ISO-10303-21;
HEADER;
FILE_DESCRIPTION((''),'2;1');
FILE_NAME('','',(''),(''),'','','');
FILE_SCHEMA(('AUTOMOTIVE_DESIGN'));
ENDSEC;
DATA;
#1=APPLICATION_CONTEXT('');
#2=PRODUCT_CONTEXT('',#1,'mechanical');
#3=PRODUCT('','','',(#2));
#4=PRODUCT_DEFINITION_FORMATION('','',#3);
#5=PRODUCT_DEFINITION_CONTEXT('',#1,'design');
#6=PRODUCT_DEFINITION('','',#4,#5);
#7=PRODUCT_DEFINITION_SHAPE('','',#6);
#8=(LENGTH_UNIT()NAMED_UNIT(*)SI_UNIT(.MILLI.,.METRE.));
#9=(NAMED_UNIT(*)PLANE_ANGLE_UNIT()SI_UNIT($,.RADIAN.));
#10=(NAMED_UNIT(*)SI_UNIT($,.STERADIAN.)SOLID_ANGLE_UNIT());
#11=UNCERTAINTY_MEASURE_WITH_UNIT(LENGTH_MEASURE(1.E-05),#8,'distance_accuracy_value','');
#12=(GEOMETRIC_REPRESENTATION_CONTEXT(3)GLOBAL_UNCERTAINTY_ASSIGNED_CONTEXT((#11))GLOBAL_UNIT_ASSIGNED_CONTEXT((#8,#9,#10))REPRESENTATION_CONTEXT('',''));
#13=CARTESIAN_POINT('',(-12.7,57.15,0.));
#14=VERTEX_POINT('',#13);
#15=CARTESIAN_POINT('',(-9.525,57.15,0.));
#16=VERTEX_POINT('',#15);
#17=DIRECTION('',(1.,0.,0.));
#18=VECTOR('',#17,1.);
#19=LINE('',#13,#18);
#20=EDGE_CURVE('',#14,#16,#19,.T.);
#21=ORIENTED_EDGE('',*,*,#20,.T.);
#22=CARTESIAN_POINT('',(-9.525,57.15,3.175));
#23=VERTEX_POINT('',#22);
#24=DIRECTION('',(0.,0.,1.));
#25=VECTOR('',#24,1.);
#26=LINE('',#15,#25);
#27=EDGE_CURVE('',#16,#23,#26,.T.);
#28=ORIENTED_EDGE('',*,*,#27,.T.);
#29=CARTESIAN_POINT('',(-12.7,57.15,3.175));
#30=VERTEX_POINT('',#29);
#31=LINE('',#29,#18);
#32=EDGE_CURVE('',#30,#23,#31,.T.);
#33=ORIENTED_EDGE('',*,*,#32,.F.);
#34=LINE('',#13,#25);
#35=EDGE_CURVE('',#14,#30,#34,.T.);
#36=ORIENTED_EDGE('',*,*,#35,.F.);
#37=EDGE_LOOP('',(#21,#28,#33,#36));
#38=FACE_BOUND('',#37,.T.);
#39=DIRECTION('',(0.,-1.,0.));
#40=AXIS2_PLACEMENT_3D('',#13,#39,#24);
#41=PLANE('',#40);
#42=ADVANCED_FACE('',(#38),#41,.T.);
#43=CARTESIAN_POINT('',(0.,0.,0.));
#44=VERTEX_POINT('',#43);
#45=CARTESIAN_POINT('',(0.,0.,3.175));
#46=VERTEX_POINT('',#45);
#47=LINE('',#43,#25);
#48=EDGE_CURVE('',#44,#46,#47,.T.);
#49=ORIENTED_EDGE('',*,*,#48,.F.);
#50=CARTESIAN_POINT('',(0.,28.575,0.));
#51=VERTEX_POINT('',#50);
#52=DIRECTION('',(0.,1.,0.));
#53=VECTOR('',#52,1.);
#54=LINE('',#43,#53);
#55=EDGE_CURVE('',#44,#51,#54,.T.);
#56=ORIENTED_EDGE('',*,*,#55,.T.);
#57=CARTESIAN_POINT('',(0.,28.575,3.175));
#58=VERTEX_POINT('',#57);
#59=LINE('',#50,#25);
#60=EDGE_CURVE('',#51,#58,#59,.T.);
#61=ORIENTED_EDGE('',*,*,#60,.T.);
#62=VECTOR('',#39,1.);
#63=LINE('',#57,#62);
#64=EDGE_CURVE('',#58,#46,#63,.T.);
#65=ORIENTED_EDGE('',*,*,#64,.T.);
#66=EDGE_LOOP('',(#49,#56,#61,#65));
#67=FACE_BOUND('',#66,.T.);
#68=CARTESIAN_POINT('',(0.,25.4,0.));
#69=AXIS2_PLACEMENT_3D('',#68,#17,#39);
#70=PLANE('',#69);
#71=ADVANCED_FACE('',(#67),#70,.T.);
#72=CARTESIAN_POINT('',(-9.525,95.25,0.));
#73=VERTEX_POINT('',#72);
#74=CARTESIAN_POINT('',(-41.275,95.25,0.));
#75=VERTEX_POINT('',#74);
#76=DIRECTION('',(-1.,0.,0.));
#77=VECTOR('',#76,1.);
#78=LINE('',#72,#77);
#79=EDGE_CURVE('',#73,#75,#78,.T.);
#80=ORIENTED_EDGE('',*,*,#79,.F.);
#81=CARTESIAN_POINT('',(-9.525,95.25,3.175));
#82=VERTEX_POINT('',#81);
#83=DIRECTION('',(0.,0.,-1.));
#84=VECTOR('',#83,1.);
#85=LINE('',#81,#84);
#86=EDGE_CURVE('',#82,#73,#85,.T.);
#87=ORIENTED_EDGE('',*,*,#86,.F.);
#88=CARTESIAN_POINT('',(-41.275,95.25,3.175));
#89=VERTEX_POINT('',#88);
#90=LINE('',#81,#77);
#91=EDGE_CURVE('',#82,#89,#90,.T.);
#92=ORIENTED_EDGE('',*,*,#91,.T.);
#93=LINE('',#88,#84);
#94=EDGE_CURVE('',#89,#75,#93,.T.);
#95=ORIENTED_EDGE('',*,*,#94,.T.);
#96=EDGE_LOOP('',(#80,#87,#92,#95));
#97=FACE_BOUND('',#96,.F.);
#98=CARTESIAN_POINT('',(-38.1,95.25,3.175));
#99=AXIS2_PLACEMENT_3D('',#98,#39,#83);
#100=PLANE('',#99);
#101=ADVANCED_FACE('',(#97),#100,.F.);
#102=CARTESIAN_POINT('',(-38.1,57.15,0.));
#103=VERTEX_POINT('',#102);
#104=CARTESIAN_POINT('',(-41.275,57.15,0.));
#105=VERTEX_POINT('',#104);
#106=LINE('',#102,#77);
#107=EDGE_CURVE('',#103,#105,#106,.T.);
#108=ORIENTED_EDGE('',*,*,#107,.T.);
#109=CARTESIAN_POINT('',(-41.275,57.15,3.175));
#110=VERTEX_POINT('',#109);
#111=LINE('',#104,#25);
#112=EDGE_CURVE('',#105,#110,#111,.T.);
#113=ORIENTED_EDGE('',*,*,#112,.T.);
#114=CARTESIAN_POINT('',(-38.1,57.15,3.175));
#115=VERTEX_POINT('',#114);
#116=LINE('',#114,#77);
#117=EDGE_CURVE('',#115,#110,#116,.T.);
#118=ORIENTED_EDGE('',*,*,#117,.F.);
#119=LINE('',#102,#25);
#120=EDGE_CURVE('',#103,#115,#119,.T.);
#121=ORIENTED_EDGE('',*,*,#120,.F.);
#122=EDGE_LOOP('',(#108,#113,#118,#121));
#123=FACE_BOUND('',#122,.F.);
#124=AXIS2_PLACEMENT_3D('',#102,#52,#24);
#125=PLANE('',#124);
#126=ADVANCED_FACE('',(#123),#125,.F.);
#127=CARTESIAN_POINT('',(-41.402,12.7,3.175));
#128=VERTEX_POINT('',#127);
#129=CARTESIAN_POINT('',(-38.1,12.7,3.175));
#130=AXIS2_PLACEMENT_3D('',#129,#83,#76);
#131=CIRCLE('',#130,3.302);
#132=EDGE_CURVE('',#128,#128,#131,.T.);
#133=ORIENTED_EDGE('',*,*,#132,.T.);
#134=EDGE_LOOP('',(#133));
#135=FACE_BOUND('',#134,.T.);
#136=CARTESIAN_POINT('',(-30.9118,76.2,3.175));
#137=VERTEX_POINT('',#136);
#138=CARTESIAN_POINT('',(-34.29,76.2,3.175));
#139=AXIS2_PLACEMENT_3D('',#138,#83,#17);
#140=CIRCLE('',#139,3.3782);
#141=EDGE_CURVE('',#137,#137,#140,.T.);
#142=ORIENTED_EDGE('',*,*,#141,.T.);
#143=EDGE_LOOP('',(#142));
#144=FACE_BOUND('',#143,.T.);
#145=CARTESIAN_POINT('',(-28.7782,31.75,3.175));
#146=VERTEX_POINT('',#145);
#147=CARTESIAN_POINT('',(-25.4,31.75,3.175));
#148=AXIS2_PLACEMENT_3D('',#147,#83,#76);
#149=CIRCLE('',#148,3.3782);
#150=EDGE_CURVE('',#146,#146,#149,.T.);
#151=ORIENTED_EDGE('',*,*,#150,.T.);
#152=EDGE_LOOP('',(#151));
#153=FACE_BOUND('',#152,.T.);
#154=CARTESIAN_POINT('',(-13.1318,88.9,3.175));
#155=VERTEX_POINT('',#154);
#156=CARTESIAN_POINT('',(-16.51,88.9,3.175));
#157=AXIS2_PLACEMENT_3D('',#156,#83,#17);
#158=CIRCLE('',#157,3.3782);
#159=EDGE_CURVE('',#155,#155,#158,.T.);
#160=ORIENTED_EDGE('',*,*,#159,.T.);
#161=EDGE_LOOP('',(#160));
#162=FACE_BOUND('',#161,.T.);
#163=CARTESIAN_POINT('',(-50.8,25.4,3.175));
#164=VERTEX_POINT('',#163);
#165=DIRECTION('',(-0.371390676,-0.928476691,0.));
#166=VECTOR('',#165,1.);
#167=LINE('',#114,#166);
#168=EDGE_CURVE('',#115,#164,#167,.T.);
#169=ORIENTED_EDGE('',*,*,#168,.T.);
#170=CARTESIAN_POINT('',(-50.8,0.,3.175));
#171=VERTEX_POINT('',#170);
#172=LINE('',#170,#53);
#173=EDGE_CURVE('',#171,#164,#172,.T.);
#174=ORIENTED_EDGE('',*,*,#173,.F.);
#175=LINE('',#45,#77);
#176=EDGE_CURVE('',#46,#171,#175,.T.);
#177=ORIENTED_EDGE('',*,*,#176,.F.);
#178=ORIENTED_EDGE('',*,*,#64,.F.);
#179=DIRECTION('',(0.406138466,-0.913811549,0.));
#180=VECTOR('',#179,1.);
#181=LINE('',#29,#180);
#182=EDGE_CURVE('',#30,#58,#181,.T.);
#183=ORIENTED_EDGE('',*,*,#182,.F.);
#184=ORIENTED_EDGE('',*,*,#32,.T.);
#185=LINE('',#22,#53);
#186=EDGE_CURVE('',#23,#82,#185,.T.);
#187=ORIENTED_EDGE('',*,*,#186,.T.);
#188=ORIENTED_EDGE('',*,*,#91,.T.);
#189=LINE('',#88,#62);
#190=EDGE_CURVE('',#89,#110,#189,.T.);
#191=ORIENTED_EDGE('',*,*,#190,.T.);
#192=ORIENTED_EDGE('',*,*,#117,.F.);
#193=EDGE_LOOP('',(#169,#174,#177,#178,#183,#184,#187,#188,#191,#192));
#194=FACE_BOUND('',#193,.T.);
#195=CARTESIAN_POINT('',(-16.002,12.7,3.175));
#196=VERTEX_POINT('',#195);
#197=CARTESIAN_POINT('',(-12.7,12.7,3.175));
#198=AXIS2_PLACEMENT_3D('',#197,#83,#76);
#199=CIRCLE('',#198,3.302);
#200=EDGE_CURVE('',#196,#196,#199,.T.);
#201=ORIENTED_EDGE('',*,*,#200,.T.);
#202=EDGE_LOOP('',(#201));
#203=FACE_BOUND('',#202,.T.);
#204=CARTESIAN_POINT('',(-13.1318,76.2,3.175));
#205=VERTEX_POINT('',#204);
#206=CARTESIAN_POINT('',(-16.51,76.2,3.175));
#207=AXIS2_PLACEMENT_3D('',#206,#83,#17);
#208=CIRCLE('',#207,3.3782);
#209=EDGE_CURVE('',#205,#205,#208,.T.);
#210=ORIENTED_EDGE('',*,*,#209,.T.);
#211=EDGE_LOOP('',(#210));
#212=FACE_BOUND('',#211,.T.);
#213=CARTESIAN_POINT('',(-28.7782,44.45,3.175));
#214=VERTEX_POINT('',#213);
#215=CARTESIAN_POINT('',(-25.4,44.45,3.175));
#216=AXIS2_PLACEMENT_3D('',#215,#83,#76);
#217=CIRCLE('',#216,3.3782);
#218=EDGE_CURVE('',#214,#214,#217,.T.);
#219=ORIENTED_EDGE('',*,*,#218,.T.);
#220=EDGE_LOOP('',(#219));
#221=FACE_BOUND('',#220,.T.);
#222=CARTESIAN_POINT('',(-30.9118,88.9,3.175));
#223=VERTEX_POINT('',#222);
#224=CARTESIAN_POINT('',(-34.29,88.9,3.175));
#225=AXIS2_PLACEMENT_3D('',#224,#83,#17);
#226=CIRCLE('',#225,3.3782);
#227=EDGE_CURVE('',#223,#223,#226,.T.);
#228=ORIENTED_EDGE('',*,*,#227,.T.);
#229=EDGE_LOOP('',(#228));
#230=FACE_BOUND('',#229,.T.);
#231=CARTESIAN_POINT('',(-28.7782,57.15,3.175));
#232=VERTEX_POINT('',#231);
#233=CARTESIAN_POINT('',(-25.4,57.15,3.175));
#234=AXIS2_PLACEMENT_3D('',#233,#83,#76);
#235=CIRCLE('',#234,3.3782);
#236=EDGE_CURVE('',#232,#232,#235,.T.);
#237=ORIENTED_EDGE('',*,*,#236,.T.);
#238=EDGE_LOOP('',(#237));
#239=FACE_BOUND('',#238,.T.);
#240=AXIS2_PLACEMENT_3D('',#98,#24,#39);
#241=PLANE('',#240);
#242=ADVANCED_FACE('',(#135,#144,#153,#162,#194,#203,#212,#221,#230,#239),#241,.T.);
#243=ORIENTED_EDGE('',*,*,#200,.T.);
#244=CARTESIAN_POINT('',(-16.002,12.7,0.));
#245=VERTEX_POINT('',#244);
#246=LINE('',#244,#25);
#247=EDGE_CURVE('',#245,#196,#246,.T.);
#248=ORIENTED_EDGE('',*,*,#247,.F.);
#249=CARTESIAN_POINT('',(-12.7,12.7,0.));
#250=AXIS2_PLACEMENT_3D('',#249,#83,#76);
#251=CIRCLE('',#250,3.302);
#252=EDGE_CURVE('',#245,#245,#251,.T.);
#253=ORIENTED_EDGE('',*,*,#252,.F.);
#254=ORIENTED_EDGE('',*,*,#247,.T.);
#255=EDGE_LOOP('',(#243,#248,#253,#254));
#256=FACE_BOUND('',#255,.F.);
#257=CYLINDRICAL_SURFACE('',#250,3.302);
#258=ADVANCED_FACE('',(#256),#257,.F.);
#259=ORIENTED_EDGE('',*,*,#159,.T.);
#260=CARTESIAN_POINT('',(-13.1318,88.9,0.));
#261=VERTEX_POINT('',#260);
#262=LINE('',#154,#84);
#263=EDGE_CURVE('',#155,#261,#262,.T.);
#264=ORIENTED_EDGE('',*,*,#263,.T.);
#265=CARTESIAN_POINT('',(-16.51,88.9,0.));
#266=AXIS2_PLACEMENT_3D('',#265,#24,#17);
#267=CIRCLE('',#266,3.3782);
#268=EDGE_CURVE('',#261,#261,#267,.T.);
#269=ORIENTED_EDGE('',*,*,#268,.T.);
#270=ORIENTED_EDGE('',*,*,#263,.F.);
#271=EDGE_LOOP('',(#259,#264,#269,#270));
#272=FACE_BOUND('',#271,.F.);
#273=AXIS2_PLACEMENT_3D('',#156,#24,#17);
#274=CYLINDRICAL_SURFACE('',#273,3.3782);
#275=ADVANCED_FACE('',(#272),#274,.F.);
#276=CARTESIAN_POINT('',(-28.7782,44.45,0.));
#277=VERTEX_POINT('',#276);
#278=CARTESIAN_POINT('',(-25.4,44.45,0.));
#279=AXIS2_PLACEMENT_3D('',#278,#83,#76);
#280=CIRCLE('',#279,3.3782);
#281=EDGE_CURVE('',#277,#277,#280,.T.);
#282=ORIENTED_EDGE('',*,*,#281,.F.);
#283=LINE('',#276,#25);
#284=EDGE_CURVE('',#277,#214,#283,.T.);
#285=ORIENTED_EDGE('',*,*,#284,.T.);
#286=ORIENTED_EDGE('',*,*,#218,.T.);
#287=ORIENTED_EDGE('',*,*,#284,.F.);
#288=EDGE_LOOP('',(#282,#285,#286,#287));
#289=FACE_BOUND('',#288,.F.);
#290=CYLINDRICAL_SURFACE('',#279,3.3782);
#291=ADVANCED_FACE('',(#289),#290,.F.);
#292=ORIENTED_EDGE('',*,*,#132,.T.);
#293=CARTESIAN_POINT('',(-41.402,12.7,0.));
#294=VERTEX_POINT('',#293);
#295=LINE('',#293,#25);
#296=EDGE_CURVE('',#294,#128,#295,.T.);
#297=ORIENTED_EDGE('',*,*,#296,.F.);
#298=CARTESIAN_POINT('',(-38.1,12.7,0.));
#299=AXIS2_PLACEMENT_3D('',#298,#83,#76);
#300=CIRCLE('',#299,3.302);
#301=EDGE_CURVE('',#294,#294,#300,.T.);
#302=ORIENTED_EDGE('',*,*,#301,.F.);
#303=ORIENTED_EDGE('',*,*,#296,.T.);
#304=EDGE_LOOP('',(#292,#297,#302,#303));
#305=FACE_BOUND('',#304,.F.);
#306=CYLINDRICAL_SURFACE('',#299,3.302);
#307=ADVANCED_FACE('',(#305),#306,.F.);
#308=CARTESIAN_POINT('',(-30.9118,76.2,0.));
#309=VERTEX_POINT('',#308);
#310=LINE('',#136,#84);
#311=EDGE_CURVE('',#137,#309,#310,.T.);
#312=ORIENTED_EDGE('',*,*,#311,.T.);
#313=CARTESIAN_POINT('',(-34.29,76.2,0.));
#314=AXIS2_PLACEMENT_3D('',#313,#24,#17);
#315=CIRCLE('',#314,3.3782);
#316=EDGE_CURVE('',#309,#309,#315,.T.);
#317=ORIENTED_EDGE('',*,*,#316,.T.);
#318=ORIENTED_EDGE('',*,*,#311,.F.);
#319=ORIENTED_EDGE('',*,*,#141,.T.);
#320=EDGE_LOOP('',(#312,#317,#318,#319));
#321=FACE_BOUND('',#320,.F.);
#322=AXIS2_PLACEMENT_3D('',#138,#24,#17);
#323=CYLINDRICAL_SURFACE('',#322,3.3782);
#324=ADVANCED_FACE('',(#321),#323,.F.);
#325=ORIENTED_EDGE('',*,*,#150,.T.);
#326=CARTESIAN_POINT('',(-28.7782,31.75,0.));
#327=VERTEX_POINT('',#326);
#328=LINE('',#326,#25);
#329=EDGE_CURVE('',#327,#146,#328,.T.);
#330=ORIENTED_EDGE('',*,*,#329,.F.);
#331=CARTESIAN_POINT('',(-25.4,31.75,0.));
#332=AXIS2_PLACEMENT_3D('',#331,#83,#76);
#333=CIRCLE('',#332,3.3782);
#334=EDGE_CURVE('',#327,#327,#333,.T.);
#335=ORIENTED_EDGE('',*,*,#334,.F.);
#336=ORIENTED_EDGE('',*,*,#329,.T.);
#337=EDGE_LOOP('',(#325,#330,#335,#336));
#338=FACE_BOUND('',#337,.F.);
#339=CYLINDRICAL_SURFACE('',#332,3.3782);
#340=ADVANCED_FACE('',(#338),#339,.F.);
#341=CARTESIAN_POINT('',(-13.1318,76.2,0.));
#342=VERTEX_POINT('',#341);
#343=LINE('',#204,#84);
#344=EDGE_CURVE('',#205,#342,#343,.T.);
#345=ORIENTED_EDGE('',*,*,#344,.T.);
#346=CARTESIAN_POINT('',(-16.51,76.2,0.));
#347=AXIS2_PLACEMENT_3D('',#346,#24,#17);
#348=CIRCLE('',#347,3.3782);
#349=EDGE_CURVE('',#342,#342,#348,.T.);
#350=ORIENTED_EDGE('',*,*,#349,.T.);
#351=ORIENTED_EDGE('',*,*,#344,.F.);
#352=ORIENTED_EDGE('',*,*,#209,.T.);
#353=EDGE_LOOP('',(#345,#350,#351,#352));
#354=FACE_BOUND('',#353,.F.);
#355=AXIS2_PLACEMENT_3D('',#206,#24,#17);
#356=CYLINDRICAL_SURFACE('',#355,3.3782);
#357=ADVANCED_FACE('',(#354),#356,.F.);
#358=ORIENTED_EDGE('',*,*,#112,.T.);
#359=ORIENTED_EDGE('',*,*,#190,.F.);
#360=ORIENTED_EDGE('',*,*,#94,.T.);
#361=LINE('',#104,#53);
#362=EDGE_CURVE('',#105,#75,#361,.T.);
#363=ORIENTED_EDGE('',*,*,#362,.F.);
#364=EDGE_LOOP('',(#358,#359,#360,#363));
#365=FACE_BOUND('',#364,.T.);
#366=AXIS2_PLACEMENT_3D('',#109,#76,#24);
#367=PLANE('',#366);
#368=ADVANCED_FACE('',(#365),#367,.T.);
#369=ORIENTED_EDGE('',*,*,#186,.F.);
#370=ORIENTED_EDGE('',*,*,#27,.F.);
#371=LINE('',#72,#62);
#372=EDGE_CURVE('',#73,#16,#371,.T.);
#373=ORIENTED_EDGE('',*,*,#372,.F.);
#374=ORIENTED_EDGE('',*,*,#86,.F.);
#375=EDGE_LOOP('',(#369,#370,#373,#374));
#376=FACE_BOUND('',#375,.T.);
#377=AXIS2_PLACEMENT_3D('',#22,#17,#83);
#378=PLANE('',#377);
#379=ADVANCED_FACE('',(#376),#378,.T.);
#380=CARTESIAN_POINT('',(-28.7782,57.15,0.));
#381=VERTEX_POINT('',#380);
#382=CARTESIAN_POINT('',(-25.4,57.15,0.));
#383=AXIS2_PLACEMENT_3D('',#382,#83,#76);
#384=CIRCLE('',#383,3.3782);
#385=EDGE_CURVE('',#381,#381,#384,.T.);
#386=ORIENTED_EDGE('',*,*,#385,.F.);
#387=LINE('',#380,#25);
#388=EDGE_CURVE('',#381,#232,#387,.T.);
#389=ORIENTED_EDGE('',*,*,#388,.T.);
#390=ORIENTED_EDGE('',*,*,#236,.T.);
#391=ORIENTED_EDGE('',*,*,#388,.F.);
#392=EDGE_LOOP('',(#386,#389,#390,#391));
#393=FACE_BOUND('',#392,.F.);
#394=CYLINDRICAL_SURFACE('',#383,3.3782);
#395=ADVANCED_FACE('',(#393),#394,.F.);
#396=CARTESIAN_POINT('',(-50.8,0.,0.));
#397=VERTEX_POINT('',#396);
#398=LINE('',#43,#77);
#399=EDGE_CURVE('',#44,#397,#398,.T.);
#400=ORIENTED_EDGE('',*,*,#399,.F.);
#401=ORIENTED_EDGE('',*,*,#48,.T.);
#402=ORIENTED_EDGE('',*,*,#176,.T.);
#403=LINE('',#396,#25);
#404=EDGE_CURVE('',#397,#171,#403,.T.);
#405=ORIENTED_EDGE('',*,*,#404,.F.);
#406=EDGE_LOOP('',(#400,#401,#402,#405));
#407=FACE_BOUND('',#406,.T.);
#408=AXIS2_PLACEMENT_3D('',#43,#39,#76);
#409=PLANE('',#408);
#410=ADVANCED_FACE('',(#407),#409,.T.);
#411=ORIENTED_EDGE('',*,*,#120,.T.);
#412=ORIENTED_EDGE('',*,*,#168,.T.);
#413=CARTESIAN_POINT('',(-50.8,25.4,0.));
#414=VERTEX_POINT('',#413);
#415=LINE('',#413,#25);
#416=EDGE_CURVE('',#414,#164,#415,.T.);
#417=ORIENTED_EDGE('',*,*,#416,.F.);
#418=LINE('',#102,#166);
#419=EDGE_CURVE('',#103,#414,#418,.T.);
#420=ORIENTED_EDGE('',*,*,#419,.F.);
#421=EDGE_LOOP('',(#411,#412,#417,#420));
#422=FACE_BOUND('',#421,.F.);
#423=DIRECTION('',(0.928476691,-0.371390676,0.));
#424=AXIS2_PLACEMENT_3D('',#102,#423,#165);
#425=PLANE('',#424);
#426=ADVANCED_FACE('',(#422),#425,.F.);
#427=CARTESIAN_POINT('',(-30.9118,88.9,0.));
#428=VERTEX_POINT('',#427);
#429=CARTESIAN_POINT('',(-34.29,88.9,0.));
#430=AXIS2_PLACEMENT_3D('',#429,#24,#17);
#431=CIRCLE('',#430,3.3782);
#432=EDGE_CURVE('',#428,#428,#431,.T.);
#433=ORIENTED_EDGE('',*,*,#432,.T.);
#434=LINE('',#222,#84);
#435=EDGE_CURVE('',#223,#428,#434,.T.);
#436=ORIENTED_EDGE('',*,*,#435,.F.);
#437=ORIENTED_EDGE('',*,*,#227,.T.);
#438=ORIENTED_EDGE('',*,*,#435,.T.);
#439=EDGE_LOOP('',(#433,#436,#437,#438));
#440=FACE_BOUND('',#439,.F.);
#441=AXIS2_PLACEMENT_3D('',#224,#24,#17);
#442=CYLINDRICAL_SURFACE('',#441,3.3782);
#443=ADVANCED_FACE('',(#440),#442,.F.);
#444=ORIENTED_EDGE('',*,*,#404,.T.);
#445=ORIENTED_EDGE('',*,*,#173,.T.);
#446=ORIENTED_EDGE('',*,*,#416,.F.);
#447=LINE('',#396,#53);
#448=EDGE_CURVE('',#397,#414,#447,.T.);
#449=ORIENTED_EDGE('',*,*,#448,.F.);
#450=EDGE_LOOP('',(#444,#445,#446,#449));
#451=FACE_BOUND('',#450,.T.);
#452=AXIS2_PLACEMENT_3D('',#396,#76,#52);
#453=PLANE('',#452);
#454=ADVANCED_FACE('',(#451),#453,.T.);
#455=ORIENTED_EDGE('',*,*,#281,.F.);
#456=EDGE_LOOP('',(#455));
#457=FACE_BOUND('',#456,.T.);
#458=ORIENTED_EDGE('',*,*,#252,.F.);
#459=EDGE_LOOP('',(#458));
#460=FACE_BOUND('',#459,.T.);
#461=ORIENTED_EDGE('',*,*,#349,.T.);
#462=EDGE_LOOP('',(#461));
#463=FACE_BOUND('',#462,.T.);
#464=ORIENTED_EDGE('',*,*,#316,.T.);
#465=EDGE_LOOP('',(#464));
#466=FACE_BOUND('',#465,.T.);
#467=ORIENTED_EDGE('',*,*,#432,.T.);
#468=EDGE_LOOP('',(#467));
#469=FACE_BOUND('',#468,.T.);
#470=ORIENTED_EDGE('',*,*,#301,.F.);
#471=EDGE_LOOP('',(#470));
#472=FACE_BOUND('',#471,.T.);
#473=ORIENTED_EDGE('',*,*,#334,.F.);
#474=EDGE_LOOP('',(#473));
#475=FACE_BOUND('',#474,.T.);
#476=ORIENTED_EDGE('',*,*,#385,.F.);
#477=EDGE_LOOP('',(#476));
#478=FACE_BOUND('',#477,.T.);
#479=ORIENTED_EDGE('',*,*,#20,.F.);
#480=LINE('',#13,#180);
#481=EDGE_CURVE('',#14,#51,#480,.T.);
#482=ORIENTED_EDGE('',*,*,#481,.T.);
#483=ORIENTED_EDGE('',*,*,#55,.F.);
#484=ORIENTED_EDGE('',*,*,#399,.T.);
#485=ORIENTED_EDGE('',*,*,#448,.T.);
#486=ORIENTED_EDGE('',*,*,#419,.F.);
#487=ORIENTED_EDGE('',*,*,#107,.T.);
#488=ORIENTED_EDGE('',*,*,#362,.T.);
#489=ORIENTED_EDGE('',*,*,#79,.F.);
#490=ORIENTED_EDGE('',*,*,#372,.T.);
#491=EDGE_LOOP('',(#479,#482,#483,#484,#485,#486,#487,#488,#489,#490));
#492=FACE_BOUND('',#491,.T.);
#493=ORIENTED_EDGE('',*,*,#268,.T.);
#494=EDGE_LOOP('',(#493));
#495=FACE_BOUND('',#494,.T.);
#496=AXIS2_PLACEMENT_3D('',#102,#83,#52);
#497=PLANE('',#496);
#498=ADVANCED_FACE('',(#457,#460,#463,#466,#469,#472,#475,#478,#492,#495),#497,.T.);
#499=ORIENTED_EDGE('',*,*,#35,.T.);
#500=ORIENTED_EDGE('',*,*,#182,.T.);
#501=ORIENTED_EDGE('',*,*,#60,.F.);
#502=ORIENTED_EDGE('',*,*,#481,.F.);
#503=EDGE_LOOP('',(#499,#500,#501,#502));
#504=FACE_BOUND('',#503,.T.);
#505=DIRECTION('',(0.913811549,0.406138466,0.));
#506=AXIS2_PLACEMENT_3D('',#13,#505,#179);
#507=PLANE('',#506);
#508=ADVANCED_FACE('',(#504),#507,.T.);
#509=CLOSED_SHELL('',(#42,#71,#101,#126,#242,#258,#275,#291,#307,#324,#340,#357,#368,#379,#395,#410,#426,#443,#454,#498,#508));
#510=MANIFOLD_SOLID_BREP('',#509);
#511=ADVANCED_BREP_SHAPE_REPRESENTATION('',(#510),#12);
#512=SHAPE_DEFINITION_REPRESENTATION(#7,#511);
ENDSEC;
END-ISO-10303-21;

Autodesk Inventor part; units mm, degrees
ref_plane "YZ Plane" through (0, 0, 0) normal (1, 0, 0) x (0, 1, 0)
ref_plane "XZ Plane" through (0, 0, 0) normal (0, 1, 0) x (-1, 0, 0)
ref_plane "XY Plane" through (0, 0, 0) normal (0, 0, 1) x (1, 0, 0)
sketch "Sketch1" plane through (0, 0, 0) normal (0, 0, 1) x (1, 0, 0)
  line L0 (0, 0) -> (-50.8, 0)
  line L1 (-50.8, 0) -> (-50.8, 57.15)
  line L2 (-50.8, 57.15) -> (0, 57.15)
  line L3 (0, 57.15) -> (0, 0)
  line L4 (-50.8, 0) -> (-50.8, 25.4)
  line L5 (0, 0) -> (0, 25.4)
  line L6 (-25.4, 57.15) -> (-38.1, 57.15)
  line L7 (-25.4, 57.15) -> (-12.7, 57.15)
  line L8 (-12.7, 57.15) -> (0, 28.575)
  line L9 (-38.1, 57.15) -> (-50.8, 25.4)
  dimension "d0" = 50.8
  dimension "d1" = 57.15
  dimension "d2" = 25.4
  dimension "d3" = 12.7
  dimension "d4" = 12.7
extrude "Extrusion1" add sketch "Sketch1" along normal blind 3.175 contours L0 L1 L9 L2 L8 L3
sketch "Sketch2" plane through (0, 0, 3.175) normal (0, 0, 1) x (1, 0, 0)
  line L0 (-12.7, 57.15) -> (-38.1, 57.15) projected
  line L1 (-50.8, 0) -> (0, 0) projected
  line L2 (-38.1, 57.15) -> (-38.1, 95.25)
  line L3 (-38.1, 95.25) -> (-12.7, 95.25)
  line L4 (-12.7, 95.25) -> (-12.7, 57.15)
  dimension "d7" = 38.1
extrude "Extrusion2" add sketch "Sketch2" against normal blind 3.175
sketch "Sketch3" plane through (0, 0, 0) normal (0, 0, -1) x (-1, 0, 0)
  circle A0 centre (25.4, 57.15) radius 3.3782 projected
  circle A1 centre (25.4, 44.45) radius 3.3782 projected
  circle A2 centre (25.4, 31.75) radius 3.3782 projected
  circle A3 centre (12.7, 12.7) radius 3.302 projected
  circle A4 centre (38.1, 12.7) radius 3.302 projected
extrude "Extrusion3" cut sketch "Sketch3" against normal blind 3.175
sketch "Sketch4" plane through (0, 0, 3.175) normal (0, 0, 1) x (1, 0, 0)
  line L0 (-12.7, 95.25) -> (-38.1, 95.25) projected
  line L1 (-38.1, 95.25) -> (-34.29, 95.25)
  line L2 (-34.29, 95.25) -> (-34.29, 88.9)
  line L3 (-34.29, 88.9) -> (-34.29, 76.2)
  line L4 (-12.7, 95.25) -> (-16.51, 95.25)
  line L5 (-16.51, 95.25) -> (-16.51, 88.9)
  line L6 (-16.51, 88.9) -> (-16.51, 82.55)
  circle A0 centre (-34.29, 88.9) radius 3.3782
  circle A1 centre (-16.51, 88.9) radius 3.3782
  circle A2 centre (-34.29, 76.2) radius 3.3782
  line L7 (-16.51, 88.9) -> (-16.51, 76.2)
  circle A3 centre (-16.51, 76.2) radius 3.3782
  dimension "d12" = 3.81
  dimension "d13" = 6.35
  dimension "d14" = 12.7
  dimension "d15" = 3.81
  dimension "d16" = 6.7564
  dimension "d17" = 6.7564
  dimension "d18" = 6.7564
  dimension "d19" = 6.7564
extrude "Extrusion4" cut sketch "Sketch4" against normal blind 25.4
sketch "Sketch5" plane through (-12.7, 57.15, 3.175) normal (1, 0, 0) x (0, 0, -1)
  line L0 (0, 0) -> (0, 38.1) projected
  line L1 (3.175, 0) -> (0, 0) projected
  line L2 (3.175, 38.1) -> (3.175, 0) projected
  line L3 (0, 38.1) -> (3.175, 38.1) projected
  point P0 (3.175, -57.15)
extrude "Extrusion5" add sketch "Sketch5" along normal blind 3.175
sketch "Sketch6" plane through (-38.1, 57.15, 3.175) normal (-1, 0, 0) x (0, 0, 1)
  line L0 (0, 38.1) -> (0, 0) projected
  line L1 (0, 38.1) -> (-3.175, 38.1) projected
  line L2 (-3.175, 0) -> (-3.175, 38.1) projected
  line L3 (-3.175, 0) -> (0, 0) projected
  point P0 (-3.175, -57.15)
extrude "Extrusion6" add sketch "Sketch6" along normal blind 3.175
properties part number "that thing mount" material "Aluminum 6061"
